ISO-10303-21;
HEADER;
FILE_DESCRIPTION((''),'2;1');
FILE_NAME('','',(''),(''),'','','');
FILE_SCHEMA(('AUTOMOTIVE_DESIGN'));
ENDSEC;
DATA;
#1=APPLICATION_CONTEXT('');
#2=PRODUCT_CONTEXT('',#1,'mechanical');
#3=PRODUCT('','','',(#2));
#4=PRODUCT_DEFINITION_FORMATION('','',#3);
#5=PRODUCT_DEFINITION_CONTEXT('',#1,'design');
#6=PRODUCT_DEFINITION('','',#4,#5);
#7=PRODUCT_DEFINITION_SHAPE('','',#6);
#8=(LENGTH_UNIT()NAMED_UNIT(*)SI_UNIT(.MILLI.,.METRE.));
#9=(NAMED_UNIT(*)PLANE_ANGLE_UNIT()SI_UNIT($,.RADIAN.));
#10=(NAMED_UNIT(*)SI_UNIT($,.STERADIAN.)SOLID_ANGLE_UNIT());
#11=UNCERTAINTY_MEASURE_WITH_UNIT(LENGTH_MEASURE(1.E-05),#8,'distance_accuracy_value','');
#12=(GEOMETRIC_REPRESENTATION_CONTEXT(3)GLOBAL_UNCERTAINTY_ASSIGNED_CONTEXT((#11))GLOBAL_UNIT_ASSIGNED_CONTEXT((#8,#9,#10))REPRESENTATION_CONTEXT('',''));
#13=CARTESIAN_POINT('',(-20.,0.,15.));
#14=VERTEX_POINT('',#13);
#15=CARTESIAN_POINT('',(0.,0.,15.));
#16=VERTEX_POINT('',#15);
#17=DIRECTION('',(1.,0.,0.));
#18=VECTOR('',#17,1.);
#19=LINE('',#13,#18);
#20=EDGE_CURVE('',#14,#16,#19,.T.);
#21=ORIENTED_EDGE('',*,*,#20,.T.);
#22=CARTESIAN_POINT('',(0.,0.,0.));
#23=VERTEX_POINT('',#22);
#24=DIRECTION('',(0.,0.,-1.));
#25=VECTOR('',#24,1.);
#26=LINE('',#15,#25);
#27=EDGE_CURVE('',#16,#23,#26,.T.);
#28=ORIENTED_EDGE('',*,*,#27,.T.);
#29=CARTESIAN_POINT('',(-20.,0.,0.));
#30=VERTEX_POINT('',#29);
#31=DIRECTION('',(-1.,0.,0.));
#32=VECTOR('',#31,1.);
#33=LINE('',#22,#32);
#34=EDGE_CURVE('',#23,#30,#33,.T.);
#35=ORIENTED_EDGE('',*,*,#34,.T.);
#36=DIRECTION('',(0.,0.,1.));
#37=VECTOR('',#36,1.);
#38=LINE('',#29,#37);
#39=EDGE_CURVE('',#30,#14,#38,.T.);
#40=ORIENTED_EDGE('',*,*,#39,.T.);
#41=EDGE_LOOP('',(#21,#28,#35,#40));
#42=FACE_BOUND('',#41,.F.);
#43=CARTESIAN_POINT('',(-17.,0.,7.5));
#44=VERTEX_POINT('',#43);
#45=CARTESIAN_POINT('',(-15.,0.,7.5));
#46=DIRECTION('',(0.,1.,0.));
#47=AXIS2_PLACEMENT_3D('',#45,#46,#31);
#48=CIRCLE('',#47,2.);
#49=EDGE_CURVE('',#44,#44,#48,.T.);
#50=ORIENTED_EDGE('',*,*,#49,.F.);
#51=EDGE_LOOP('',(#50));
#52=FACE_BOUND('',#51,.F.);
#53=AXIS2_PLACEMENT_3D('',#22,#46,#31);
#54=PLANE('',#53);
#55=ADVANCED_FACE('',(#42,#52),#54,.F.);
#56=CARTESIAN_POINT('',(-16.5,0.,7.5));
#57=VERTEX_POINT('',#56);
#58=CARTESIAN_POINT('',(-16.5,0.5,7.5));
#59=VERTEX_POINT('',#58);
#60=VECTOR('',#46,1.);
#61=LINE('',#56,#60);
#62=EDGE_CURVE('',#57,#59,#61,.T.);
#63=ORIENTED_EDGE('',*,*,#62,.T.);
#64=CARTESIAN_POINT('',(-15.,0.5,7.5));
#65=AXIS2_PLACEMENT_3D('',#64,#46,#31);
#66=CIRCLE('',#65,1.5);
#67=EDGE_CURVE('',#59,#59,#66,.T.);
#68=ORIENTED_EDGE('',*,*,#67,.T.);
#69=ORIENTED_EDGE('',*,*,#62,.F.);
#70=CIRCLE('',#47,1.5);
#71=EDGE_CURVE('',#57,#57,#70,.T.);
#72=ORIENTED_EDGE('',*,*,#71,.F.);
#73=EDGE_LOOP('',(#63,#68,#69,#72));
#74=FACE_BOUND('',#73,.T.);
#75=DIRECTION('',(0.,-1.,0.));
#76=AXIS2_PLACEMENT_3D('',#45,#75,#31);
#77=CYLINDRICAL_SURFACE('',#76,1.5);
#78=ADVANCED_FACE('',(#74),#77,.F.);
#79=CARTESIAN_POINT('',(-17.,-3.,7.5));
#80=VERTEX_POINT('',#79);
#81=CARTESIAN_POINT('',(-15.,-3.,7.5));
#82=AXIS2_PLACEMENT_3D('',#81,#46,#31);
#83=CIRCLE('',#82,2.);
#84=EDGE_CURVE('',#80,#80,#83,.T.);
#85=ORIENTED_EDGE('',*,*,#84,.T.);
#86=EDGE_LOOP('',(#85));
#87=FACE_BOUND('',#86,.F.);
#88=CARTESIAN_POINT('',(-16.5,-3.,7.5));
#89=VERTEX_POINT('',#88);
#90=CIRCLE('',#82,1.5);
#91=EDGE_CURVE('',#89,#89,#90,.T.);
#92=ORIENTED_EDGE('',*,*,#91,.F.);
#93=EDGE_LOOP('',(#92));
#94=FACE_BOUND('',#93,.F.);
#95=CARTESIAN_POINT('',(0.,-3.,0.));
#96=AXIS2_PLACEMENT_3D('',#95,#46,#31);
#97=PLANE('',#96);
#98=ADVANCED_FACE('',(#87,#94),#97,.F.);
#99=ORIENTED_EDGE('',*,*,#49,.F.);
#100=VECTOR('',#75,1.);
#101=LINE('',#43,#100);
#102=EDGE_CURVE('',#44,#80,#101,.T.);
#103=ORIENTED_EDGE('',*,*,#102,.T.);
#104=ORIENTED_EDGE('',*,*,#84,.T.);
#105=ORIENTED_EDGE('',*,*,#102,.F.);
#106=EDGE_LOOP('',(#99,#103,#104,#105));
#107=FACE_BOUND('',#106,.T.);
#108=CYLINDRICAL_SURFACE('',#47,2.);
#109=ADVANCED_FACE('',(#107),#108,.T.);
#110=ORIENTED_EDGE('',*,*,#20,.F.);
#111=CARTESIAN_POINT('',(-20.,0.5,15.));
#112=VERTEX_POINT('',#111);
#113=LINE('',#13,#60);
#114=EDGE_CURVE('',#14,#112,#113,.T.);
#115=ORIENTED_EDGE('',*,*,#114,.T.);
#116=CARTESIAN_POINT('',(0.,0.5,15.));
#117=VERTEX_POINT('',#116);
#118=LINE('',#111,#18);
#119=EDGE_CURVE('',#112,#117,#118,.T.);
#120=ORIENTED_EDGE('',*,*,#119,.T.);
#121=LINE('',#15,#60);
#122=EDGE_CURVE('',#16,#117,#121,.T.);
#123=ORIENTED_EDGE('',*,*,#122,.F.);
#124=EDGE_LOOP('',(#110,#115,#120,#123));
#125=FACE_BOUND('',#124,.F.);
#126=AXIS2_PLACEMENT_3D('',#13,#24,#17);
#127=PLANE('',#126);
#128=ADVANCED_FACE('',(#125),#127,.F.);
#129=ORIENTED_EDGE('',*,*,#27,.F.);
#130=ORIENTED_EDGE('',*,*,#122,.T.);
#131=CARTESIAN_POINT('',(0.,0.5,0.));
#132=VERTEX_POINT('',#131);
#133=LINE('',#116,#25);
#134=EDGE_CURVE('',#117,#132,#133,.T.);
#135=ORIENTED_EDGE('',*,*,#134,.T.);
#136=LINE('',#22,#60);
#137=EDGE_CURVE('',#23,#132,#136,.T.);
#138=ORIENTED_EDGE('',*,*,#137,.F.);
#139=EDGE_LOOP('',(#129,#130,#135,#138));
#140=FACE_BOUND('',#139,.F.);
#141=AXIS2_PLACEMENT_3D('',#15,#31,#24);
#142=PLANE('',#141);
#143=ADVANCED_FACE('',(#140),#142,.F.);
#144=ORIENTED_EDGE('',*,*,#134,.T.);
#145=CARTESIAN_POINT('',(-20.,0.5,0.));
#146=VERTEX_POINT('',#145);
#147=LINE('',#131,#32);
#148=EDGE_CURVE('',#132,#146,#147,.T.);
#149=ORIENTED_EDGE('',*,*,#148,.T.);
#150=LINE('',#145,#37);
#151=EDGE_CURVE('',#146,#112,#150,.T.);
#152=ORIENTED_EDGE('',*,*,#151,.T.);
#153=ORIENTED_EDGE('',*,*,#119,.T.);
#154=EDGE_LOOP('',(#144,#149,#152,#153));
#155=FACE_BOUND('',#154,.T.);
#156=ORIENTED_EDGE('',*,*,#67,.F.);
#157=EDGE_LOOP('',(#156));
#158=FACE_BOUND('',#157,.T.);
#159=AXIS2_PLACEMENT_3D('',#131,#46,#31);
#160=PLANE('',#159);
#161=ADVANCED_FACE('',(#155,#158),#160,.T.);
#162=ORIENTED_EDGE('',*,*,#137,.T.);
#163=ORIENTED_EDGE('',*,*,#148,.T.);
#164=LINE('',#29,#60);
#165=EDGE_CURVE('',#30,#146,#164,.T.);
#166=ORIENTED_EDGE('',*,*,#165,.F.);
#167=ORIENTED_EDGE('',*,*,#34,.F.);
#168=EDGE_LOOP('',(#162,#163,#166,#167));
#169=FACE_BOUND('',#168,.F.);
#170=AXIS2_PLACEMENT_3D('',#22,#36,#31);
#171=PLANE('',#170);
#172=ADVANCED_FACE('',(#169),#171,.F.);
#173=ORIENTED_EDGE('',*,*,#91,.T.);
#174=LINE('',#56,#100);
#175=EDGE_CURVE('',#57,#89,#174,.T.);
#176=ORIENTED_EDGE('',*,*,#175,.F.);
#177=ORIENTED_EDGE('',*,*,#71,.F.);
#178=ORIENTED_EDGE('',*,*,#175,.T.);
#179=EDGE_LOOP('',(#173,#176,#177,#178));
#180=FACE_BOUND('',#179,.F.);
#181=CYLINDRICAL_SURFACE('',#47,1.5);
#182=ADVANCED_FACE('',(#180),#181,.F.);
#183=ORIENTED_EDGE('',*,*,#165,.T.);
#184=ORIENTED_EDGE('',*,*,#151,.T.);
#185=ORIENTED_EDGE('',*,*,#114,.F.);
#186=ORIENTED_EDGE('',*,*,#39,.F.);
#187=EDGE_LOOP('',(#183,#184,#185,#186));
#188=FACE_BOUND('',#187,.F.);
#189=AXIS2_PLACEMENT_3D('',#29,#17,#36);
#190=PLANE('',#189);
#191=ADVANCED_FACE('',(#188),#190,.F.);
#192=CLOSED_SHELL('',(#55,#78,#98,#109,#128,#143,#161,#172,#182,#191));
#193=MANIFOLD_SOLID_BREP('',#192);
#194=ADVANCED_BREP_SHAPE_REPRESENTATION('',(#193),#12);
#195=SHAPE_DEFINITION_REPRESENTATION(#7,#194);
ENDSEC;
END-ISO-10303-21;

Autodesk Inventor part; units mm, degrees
ref_plane "YZ Plane" through (0, 0, 0) normal (1, 0, 0) x (0, 1, 0)
ref_plane "XZ Plane" through (0, 0, 0) normal (0, 1, 0) x (-1, 0, 0)
ref_plane "XY Plane" through (0, 0, 0) normal (0, 0, 1) x (1, 0, 0)
sketch "Sketch1" plane through (0, 0, 0) normal (0, 1, 0) x (-1, 0, 0)
  line L0 (20, 15) -> (0, 15)
  line L1 (0, 15) -> (0, 0)
  line L2 (0, 0) -> (20, 0)
  line L3 (20, 0) -> (20, 15)
  circle A0 centre (15, 7.5) radius 1.5
  circle A1 centre (15, 7.5) radius 2
  dimension "d0" = 15
  dimension "d1" = 20
  dimension "d2" = 7.5
  dimension "d3" = 5
  dimension "d5" = 0.5
  dimension "d14" = 4
extrude "Extrusion1" add sketch "Sketch1" along normal blind 0.5 contours L3 L2 L1 L0 | A1
extrude "Extrusion2" add sketch "Sketch1" against normal blind 3 contours A1
equation "\"d2\" = 0.5 * d0"
equation "\"d14\" = TranzisztoJukAtmero"
equation "\"TranzisztoJukAtmero\" = 4"
properties part number "SzigeteloAlatetTranzisztor"
